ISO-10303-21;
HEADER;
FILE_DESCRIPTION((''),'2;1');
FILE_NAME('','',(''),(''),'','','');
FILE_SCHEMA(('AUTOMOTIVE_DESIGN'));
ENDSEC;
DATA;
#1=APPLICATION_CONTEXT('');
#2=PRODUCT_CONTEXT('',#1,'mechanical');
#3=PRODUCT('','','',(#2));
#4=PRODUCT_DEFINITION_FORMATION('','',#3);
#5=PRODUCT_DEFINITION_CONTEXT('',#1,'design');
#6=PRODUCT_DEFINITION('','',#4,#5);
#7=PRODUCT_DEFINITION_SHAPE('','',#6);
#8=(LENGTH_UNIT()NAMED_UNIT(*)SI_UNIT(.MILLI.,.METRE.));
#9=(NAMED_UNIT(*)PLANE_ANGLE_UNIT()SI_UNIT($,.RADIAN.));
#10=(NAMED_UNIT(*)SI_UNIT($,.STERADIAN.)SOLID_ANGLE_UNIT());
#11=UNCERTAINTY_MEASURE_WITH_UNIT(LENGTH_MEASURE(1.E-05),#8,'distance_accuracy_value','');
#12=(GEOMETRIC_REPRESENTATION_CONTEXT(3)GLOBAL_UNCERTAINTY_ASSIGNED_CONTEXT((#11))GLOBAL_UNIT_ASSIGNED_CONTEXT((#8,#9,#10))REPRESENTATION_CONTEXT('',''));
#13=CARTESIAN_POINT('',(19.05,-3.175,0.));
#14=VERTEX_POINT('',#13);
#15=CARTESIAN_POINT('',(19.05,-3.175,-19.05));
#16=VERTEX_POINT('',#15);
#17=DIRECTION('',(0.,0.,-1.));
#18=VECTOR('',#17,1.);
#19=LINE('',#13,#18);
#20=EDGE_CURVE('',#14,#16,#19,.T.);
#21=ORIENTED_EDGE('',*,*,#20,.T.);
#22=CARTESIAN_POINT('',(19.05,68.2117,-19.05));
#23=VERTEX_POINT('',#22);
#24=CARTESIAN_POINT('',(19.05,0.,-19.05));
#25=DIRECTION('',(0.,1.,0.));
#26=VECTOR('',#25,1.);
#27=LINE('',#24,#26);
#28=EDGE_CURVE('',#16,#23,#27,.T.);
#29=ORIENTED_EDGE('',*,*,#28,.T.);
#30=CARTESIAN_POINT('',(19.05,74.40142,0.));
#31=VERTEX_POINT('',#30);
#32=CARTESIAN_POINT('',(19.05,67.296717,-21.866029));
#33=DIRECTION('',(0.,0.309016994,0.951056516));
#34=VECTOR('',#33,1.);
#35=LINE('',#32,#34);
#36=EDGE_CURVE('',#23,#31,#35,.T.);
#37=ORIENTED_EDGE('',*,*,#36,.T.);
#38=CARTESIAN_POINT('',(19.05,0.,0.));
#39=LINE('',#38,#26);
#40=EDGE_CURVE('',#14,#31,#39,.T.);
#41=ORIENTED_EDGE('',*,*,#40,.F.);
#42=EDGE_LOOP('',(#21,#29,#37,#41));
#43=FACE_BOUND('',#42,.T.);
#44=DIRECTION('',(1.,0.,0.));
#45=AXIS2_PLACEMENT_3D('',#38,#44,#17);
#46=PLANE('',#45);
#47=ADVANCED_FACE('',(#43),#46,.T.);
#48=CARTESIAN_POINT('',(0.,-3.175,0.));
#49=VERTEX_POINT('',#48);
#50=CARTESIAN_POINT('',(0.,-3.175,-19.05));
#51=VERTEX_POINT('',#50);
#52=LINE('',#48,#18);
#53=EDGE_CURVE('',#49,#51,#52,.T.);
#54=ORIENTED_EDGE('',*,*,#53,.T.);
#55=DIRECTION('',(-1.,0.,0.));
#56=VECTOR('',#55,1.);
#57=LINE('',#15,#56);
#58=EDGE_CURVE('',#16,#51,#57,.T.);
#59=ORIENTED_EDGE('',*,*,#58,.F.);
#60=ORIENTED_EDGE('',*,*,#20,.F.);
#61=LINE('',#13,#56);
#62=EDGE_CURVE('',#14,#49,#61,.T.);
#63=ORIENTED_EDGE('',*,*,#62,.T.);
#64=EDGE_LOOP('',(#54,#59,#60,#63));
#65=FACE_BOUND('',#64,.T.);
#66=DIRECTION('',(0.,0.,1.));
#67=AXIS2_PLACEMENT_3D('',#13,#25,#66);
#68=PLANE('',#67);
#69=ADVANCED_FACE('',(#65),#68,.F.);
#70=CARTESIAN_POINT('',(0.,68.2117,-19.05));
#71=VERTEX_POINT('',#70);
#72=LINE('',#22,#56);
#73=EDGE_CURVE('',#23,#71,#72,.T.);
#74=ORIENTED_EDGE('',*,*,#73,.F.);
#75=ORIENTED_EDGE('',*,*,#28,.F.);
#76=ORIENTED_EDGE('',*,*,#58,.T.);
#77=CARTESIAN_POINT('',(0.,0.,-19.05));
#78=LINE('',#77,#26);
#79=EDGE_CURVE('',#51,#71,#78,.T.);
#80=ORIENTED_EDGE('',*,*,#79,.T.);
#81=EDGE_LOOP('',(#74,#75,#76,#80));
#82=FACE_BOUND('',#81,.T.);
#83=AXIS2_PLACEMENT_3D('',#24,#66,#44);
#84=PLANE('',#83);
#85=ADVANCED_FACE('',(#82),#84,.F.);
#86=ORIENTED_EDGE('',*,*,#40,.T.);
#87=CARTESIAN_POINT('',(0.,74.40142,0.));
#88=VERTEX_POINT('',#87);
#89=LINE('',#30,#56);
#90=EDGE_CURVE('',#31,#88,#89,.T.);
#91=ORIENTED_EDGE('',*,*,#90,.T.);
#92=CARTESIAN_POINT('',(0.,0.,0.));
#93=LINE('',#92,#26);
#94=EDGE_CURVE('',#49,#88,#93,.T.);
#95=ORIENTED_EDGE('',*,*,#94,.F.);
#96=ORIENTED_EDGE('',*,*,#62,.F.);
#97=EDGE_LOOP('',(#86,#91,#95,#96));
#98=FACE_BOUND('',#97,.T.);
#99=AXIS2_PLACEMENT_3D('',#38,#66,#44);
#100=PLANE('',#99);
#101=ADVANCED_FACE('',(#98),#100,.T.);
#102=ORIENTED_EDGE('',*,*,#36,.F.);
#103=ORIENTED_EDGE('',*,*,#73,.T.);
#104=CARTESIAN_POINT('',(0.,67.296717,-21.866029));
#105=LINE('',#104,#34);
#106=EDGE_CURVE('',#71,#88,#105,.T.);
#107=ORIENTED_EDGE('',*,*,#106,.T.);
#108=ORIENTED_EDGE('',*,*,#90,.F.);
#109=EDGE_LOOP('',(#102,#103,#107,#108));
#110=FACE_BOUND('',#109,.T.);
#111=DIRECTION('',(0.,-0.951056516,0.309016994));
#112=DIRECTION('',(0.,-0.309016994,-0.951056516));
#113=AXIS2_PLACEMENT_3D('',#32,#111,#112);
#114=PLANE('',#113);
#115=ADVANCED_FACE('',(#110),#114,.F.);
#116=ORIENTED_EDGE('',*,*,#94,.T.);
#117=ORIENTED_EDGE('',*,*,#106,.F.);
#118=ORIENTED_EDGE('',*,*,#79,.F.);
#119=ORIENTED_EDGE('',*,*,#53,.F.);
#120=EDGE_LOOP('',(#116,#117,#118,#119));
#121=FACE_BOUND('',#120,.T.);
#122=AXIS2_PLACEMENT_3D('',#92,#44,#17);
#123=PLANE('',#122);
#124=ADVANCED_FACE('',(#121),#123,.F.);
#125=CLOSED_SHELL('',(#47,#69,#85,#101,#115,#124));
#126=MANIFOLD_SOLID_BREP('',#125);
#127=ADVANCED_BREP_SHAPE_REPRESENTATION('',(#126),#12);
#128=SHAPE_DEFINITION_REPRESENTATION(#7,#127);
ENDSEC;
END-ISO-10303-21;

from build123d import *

# Parameters (mm, degrees)
SKETCH1_W           = 19.05
SKETCH1_H           = 68.2117
SKETCH1_H_2         = 3.175
BOSS_EXTRUDE1_DEPTH = 19.05


with BuildPart() as part:
    # Sketch1 → Boss-Extrude1 (new body)
    with BuildSketch(Plane(origin=(0, 0, 0), x_dir=(0, 0, -1), z_dir=(1, 0, 0))):
        Polygon((0, 68.2117), (0, 74.401420213), (19.05, 68.2117), align=None)
        with Locations((9.525, 34.10585)):
            Rectangle(SKETCH1_W, SKETCH1_H)
        with Locations((9.525, -1.5875)):
            Rectangle(SKETCH1_W, SKETCH1_H_2)
    extrude(amount=BOSS_EXTRUDE1_DEPTH)


solid = part.part
